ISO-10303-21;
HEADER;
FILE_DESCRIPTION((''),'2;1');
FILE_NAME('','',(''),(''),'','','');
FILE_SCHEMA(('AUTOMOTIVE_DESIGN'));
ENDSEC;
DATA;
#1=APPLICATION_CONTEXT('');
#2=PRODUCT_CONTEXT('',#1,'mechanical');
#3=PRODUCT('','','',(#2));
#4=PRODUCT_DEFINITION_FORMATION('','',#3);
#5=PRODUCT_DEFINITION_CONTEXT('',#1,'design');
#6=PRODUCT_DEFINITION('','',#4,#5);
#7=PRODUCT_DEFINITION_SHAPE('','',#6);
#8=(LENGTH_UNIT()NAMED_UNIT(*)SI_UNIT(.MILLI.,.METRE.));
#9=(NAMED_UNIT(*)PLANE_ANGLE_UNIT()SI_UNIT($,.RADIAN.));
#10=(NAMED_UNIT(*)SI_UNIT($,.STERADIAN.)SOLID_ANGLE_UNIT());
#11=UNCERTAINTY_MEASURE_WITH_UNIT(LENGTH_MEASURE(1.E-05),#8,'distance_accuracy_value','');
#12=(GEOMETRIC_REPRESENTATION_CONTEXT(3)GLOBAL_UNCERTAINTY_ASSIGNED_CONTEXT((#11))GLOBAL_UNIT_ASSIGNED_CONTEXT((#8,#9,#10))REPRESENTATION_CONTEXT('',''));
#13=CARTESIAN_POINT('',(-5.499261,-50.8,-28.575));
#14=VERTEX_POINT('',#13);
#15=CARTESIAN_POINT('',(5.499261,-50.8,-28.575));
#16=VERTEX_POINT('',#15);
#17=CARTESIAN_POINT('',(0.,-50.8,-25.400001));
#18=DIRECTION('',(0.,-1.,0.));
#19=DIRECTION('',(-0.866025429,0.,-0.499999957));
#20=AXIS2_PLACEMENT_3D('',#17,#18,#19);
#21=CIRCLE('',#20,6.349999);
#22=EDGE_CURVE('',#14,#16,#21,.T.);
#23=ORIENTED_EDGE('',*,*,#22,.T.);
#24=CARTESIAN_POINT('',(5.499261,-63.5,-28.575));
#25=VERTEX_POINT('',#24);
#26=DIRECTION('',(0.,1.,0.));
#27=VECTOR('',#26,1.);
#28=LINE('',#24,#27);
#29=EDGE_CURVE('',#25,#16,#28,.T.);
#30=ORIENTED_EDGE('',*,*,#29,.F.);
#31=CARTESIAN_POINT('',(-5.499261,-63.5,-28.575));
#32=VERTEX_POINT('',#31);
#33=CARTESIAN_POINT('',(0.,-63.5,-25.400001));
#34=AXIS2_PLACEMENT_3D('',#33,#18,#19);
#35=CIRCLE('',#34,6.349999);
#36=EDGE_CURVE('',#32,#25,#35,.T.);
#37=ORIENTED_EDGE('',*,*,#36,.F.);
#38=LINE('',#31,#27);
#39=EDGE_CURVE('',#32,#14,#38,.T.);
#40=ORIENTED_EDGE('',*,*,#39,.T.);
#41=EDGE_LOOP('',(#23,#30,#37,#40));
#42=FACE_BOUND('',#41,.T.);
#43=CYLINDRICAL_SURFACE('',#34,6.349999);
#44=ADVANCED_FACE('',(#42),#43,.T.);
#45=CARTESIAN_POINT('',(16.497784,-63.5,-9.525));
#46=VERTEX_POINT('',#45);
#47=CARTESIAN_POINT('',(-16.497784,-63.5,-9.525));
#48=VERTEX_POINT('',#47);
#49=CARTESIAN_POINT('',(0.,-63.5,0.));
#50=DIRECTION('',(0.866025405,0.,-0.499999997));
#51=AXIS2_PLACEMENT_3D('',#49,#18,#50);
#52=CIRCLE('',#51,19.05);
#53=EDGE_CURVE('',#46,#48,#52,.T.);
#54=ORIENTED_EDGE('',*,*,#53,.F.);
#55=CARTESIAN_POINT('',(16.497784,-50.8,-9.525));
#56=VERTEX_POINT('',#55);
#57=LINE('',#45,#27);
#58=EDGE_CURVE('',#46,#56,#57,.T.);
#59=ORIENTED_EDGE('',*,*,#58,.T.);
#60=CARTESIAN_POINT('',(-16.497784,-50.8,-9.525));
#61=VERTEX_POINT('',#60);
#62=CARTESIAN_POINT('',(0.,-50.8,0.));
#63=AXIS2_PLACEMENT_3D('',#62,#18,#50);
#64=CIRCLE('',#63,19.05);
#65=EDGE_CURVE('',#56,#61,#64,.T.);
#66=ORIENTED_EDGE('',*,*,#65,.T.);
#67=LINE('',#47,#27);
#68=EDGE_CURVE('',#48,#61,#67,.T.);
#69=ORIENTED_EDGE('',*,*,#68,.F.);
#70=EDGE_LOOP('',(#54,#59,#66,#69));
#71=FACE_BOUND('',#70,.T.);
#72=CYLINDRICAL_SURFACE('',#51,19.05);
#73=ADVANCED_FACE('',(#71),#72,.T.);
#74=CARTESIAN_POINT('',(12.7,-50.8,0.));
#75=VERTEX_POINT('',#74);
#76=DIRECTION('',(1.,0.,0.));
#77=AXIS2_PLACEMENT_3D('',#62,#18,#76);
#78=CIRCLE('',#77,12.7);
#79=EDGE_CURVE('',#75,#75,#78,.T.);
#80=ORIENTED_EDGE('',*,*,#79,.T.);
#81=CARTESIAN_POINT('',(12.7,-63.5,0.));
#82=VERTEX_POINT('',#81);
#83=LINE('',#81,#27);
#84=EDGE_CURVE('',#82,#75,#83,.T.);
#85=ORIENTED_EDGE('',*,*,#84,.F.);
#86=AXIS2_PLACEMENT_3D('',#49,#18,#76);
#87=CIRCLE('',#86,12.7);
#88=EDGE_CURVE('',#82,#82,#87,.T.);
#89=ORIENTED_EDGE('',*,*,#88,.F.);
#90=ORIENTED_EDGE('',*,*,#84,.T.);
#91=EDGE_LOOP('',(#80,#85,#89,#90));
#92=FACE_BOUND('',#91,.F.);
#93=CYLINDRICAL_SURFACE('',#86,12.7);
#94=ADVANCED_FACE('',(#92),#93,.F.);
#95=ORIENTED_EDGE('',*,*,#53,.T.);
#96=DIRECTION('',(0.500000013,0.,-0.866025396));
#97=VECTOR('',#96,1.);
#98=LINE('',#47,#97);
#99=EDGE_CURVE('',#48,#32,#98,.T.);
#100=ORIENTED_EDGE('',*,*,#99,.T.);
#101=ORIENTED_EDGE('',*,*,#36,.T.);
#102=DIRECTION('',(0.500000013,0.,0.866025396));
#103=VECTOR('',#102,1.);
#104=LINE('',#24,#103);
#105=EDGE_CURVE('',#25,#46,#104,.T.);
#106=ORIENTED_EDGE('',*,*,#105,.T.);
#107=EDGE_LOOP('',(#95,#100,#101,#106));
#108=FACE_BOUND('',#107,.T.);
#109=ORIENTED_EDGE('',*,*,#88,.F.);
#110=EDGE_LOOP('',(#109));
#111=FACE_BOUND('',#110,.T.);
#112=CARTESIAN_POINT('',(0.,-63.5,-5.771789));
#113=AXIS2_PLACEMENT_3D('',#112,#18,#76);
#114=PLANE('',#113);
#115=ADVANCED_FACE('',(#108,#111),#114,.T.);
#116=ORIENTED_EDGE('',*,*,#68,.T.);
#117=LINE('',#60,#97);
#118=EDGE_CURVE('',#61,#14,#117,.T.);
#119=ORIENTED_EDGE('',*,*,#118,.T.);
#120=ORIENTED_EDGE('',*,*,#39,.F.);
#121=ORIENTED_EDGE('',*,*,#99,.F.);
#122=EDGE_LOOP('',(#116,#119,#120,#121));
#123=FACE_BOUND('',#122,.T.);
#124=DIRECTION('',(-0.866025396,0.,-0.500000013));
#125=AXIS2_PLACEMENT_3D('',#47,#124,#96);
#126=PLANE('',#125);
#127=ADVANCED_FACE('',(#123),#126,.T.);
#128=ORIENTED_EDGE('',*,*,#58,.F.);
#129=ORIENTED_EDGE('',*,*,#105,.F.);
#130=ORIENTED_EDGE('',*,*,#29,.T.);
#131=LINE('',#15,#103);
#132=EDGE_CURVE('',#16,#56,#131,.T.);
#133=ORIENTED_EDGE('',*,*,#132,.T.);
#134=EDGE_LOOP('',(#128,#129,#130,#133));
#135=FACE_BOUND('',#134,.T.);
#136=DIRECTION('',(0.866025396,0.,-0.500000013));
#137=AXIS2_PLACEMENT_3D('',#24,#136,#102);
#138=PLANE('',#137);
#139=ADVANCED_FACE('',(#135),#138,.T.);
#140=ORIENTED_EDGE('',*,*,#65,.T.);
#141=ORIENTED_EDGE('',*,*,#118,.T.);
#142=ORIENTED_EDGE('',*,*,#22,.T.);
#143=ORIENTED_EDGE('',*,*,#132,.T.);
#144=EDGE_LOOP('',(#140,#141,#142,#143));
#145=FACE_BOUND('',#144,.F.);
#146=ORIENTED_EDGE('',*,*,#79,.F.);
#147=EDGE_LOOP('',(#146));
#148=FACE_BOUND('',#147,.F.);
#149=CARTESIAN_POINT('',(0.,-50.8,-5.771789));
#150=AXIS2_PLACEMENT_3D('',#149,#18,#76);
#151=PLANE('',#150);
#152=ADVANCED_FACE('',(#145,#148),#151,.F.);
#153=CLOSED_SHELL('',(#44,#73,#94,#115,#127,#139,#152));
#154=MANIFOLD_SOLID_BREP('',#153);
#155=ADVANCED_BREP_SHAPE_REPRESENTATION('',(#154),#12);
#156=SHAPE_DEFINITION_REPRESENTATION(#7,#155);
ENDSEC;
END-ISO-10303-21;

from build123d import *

# Parameters (mm, degrees)
F1_R     = 12.7
F2_DEPTH = 12.7


with BuildPart() as f2:
    # F1 (on offset) → F2 (new body)
    with BuildSketch(Plane.XZ.offset(63.5)):
        with BuildLine():
            Line((5.499261, -28.575), (16.497784, -9.525))
            ThreePointArc((16.497784, -9.525), (0, 19.05), (-16.497784, -9.525))
            Line((-16.497784, -9.525), (-5.499261, -28.575))
            ThreePointArc((-5.499261, -28.575), (0, -31.75), (5.499261, -28.575))
        make_face()
        Circle(F1_R, mode=Mode.SUBTRACT)
    extrude(amount=-F2_DEPTH)


solid = f2.part
